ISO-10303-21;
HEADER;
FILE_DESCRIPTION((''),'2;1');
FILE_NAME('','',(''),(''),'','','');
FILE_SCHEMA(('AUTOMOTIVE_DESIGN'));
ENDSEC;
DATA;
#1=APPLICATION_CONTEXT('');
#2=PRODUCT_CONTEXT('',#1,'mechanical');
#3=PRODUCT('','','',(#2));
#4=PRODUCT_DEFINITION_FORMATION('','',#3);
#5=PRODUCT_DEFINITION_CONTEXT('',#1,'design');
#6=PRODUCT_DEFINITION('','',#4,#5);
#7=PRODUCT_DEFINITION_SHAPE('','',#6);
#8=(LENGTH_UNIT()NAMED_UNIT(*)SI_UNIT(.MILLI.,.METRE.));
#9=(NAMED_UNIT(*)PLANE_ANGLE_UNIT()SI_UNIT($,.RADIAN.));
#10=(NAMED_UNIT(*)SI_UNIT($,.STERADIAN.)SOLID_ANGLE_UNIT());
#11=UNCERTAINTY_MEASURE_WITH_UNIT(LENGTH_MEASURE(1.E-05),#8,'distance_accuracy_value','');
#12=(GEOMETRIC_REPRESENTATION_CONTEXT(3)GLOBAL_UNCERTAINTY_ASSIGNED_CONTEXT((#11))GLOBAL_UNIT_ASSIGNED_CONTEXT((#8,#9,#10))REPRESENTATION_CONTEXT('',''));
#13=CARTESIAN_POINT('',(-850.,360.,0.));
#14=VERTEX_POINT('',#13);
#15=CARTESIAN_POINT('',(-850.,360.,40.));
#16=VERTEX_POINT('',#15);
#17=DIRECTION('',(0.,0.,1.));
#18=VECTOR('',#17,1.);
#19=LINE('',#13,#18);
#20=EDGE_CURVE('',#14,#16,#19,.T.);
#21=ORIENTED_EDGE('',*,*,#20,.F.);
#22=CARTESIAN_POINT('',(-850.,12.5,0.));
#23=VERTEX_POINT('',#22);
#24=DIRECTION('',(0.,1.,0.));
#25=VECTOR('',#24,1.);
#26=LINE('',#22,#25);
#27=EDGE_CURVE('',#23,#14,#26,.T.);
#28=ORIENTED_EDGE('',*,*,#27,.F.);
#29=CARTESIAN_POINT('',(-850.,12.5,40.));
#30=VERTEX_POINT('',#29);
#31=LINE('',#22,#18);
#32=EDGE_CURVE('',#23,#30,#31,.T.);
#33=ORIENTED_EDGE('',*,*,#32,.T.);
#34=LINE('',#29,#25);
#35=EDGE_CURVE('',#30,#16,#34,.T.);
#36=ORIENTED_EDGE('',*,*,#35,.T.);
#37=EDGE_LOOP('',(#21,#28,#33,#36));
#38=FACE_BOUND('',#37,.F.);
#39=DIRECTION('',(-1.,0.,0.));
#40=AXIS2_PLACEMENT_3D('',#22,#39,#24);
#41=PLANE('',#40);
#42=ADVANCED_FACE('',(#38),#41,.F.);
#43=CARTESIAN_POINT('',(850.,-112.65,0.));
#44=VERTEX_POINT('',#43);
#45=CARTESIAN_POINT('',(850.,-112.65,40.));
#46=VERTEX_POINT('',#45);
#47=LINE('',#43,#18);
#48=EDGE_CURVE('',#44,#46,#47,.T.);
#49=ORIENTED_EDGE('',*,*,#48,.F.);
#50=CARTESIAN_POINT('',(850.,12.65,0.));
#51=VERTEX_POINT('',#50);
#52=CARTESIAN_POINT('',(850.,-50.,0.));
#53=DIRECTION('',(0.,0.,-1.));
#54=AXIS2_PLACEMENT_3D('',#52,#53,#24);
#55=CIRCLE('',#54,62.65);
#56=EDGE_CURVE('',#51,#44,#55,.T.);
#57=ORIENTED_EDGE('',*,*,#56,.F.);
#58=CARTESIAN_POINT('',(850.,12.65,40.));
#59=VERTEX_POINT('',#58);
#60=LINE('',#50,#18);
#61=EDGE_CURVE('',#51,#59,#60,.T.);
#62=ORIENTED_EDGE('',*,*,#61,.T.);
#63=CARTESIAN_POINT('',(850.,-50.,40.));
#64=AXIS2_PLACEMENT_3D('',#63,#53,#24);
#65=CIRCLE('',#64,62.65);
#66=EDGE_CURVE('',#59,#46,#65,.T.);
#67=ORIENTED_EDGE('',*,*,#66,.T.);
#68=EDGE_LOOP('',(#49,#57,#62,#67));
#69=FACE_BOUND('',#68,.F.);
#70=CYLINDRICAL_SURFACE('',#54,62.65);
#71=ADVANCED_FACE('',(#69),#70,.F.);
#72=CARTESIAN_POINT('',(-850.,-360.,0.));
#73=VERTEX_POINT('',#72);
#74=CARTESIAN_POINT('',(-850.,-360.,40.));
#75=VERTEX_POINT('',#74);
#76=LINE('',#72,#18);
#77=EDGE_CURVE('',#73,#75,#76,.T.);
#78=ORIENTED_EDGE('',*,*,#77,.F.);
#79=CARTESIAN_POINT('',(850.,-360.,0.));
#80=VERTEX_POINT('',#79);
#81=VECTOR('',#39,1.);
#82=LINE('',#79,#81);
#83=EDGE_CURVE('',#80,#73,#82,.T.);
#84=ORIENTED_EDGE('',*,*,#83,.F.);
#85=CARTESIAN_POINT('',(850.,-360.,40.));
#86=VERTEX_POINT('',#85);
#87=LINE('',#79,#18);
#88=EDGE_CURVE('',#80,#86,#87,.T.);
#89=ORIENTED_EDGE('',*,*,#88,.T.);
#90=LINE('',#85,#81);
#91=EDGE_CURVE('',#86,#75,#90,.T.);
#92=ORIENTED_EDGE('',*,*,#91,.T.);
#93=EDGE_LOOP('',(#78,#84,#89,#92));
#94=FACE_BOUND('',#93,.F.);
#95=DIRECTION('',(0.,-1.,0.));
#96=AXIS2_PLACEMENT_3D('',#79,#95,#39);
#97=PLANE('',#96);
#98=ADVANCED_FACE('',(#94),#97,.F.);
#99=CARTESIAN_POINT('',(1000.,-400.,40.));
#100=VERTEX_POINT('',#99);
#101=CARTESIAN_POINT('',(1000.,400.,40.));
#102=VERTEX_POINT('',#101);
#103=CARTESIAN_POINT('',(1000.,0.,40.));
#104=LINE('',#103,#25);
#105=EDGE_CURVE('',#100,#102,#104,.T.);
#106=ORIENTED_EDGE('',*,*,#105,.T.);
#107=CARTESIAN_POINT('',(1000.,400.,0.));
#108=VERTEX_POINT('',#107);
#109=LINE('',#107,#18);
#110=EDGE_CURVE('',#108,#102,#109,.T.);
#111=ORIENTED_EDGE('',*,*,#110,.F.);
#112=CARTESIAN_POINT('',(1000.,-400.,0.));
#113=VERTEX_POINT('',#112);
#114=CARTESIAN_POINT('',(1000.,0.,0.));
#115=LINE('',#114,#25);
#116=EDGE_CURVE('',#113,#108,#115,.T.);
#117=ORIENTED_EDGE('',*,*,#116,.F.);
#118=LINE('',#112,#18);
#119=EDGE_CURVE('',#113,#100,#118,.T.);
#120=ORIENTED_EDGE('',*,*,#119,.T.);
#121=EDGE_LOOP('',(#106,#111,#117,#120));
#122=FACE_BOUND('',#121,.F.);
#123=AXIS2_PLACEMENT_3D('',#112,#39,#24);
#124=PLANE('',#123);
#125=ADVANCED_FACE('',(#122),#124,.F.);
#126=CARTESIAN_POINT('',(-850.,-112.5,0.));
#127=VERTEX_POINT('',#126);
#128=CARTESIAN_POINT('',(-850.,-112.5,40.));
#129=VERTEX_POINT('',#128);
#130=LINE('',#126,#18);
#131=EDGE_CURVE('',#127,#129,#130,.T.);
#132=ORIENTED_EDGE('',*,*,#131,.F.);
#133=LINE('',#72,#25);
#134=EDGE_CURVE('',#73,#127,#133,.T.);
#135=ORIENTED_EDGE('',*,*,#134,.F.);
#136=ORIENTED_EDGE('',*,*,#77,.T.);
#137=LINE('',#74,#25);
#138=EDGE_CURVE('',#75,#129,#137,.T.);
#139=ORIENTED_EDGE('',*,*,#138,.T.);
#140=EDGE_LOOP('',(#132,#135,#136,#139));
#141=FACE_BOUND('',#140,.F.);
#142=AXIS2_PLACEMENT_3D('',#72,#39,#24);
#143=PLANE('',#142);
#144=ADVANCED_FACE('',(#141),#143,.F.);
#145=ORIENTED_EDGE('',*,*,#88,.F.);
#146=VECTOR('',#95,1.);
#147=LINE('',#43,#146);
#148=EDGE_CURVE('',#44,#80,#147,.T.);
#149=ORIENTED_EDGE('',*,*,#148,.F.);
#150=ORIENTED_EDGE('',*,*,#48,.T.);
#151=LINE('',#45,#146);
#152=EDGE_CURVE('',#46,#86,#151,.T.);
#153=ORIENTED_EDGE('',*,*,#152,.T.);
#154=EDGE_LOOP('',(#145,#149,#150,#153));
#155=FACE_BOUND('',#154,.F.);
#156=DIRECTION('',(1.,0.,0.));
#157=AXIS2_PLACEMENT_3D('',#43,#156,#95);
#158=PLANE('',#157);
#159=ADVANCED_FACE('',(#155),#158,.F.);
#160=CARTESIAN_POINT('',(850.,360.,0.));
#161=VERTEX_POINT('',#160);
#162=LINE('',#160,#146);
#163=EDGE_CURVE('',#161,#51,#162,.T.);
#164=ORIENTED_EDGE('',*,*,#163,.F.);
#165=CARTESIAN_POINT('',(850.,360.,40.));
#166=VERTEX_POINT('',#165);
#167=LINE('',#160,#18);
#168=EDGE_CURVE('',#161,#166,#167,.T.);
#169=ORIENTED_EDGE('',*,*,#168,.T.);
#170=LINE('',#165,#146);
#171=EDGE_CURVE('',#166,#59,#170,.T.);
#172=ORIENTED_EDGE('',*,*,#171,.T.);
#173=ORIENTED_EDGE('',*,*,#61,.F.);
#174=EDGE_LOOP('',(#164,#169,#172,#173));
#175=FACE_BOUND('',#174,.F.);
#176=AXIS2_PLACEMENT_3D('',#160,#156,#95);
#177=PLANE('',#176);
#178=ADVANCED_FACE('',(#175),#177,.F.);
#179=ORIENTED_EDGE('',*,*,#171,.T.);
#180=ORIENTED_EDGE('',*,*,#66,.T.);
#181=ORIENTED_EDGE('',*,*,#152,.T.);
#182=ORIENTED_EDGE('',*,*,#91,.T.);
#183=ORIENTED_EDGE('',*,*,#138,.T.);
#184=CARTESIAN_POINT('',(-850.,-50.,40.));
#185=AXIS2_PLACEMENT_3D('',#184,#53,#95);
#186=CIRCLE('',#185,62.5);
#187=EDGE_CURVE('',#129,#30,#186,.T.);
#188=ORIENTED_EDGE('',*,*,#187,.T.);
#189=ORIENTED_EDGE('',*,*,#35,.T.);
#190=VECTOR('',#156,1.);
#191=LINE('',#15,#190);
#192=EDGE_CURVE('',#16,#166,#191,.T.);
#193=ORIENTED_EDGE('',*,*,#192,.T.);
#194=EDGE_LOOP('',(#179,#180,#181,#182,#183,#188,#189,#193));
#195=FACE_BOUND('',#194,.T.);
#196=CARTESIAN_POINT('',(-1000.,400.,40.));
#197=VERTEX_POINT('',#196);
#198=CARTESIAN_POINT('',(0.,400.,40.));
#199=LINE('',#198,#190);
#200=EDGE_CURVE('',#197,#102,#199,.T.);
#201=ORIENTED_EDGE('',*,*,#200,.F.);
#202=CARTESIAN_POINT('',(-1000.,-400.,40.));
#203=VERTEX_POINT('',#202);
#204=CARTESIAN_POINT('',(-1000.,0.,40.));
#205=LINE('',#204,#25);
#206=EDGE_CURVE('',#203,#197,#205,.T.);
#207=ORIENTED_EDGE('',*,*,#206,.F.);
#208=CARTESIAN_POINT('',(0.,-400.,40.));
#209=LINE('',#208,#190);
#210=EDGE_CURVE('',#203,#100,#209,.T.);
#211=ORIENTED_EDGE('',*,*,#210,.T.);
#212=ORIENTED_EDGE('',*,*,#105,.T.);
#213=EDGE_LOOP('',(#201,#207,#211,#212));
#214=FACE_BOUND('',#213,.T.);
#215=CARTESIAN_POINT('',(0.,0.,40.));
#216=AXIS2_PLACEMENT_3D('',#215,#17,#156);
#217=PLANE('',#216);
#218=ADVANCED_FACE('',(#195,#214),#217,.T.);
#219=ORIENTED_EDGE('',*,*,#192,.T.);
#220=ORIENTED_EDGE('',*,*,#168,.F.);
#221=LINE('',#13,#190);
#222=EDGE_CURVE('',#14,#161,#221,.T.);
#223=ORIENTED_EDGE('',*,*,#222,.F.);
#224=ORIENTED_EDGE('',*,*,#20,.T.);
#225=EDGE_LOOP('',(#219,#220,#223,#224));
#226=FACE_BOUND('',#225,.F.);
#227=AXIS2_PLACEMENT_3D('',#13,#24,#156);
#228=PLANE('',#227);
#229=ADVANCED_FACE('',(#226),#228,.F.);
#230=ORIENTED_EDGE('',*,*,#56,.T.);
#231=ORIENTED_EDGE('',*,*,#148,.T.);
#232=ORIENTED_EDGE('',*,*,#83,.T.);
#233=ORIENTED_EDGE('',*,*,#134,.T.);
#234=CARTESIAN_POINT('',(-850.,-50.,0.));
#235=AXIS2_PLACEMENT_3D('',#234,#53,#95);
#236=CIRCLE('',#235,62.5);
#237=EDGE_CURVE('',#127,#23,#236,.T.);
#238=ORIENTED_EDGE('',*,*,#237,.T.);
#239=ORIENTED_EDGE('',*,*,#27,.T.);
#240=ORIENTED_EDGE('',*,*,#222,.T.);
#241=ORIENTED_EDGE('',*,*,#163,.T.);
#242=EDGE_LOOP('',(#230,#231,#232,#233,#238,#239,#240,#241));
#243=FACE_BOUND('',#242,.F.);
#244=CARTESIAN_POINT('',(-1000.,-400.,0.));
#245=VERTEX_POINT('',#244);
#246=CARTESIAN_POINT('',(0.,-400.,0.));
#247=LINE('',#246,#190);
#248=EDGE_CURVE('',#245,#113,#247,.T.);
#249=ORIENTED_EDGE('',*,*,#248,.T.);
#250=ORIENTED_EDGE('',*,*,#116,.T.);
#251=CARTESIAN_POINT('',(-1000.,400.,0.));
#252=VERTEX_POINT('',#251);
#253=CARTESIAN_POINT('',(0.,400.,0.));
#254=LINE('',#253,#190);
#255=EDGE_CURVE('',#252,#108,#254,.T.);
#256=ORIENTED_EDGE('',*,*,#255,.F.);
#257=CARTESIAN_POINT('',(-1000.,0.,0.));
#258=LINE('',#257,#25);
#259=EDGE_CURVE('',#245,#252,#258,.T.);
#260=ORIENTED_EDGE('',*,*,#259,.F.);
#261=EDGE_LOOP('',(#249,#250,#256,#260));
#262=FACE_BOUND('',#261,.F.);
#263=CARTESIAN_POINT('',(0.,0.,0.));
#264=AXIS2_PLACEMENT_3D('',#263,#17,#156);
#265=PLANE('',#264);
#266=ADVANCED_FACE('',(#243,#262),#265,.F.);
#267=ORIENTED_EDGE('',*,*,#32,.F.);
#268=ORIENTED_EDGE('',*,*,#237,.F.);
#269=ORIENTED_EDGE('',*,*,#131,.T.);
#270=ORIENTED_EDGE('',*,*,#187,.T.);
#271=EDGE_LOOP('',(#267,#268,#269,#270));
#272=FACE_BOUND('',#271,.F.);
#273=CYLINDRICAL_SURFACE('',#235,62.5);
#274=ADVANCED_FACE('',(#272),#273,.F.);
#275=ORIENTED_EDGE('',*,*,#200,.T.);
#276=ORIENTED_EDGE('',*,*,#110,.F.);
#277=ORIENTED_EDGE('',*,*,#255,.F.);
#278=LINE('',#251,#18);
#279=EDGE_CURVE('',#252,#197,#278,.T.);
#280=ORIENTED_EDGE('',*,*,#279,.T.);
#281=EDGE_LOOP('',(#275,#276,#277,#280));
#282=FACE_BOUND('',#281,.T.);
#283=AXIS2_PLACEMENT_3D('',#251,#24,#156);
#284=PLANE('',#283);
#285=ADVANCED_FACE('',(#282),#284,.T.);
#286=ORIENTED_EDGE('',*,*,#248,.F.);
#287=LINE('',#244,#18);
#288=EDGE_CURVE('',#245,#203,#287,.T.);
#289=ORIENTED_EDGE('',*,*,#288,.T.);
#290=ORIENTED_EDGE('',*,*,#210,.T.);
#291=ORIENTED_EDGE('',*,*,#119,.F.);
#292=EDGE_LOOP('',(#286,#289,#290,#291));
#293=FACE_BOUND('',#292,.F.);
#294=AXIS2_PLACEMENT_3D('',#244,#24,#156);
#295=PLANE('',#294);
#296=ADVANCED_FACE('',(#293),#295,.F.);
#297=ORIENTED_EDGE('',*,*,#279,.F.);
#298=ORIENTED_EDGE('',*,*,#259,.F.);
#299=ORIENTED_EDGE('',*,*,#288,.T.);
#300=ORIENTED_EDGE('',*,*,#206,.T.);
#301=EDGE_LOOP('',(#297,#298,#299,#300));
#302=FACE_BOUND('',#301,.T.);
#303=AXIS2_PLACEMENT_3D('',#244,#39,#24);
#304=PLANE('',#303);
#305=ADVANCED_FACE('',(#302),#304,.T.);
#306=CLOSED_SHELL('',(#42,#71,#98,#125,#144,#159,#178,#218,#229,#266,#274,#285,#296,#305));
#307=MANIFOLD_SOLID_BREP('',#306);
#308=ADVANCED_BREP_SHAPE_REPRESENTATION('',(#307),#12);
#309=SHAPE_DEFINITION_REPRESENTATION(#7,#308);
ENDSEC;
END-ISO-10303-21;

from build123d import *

# Parameters (mm, degrees)
F0_W     = 2000
F0_H     = 800
F1_DEPTH = 40


with BuildPart() as f1:
    # F0 (on Top) → F1 (new body)
    with BuildSketch(Plane.XY):
        Rectangle(F0_W, F0_H)
        with BuildLine():
            Line((850, -360), (-850, -360))
            Line((-850, -360), (-850, -112.5))
            ThreePointArc((-850, -112.5), (-912.5, -50), (-850, 12.5))
            Line((-850, 12.5), (-850, 360))
            Line((-850, 360), (850, 360))
            Line((850, 360), (850, 12.65))
            ThreePointArc((850, 12.65), (912.65, -50), (850, -112.65))
            Line((850, -112.65), (850, -360))
        make_face(mode=Mode.SUBTRACT)
    extrude(amount=F1_DEPTH)


solid = f1.part
